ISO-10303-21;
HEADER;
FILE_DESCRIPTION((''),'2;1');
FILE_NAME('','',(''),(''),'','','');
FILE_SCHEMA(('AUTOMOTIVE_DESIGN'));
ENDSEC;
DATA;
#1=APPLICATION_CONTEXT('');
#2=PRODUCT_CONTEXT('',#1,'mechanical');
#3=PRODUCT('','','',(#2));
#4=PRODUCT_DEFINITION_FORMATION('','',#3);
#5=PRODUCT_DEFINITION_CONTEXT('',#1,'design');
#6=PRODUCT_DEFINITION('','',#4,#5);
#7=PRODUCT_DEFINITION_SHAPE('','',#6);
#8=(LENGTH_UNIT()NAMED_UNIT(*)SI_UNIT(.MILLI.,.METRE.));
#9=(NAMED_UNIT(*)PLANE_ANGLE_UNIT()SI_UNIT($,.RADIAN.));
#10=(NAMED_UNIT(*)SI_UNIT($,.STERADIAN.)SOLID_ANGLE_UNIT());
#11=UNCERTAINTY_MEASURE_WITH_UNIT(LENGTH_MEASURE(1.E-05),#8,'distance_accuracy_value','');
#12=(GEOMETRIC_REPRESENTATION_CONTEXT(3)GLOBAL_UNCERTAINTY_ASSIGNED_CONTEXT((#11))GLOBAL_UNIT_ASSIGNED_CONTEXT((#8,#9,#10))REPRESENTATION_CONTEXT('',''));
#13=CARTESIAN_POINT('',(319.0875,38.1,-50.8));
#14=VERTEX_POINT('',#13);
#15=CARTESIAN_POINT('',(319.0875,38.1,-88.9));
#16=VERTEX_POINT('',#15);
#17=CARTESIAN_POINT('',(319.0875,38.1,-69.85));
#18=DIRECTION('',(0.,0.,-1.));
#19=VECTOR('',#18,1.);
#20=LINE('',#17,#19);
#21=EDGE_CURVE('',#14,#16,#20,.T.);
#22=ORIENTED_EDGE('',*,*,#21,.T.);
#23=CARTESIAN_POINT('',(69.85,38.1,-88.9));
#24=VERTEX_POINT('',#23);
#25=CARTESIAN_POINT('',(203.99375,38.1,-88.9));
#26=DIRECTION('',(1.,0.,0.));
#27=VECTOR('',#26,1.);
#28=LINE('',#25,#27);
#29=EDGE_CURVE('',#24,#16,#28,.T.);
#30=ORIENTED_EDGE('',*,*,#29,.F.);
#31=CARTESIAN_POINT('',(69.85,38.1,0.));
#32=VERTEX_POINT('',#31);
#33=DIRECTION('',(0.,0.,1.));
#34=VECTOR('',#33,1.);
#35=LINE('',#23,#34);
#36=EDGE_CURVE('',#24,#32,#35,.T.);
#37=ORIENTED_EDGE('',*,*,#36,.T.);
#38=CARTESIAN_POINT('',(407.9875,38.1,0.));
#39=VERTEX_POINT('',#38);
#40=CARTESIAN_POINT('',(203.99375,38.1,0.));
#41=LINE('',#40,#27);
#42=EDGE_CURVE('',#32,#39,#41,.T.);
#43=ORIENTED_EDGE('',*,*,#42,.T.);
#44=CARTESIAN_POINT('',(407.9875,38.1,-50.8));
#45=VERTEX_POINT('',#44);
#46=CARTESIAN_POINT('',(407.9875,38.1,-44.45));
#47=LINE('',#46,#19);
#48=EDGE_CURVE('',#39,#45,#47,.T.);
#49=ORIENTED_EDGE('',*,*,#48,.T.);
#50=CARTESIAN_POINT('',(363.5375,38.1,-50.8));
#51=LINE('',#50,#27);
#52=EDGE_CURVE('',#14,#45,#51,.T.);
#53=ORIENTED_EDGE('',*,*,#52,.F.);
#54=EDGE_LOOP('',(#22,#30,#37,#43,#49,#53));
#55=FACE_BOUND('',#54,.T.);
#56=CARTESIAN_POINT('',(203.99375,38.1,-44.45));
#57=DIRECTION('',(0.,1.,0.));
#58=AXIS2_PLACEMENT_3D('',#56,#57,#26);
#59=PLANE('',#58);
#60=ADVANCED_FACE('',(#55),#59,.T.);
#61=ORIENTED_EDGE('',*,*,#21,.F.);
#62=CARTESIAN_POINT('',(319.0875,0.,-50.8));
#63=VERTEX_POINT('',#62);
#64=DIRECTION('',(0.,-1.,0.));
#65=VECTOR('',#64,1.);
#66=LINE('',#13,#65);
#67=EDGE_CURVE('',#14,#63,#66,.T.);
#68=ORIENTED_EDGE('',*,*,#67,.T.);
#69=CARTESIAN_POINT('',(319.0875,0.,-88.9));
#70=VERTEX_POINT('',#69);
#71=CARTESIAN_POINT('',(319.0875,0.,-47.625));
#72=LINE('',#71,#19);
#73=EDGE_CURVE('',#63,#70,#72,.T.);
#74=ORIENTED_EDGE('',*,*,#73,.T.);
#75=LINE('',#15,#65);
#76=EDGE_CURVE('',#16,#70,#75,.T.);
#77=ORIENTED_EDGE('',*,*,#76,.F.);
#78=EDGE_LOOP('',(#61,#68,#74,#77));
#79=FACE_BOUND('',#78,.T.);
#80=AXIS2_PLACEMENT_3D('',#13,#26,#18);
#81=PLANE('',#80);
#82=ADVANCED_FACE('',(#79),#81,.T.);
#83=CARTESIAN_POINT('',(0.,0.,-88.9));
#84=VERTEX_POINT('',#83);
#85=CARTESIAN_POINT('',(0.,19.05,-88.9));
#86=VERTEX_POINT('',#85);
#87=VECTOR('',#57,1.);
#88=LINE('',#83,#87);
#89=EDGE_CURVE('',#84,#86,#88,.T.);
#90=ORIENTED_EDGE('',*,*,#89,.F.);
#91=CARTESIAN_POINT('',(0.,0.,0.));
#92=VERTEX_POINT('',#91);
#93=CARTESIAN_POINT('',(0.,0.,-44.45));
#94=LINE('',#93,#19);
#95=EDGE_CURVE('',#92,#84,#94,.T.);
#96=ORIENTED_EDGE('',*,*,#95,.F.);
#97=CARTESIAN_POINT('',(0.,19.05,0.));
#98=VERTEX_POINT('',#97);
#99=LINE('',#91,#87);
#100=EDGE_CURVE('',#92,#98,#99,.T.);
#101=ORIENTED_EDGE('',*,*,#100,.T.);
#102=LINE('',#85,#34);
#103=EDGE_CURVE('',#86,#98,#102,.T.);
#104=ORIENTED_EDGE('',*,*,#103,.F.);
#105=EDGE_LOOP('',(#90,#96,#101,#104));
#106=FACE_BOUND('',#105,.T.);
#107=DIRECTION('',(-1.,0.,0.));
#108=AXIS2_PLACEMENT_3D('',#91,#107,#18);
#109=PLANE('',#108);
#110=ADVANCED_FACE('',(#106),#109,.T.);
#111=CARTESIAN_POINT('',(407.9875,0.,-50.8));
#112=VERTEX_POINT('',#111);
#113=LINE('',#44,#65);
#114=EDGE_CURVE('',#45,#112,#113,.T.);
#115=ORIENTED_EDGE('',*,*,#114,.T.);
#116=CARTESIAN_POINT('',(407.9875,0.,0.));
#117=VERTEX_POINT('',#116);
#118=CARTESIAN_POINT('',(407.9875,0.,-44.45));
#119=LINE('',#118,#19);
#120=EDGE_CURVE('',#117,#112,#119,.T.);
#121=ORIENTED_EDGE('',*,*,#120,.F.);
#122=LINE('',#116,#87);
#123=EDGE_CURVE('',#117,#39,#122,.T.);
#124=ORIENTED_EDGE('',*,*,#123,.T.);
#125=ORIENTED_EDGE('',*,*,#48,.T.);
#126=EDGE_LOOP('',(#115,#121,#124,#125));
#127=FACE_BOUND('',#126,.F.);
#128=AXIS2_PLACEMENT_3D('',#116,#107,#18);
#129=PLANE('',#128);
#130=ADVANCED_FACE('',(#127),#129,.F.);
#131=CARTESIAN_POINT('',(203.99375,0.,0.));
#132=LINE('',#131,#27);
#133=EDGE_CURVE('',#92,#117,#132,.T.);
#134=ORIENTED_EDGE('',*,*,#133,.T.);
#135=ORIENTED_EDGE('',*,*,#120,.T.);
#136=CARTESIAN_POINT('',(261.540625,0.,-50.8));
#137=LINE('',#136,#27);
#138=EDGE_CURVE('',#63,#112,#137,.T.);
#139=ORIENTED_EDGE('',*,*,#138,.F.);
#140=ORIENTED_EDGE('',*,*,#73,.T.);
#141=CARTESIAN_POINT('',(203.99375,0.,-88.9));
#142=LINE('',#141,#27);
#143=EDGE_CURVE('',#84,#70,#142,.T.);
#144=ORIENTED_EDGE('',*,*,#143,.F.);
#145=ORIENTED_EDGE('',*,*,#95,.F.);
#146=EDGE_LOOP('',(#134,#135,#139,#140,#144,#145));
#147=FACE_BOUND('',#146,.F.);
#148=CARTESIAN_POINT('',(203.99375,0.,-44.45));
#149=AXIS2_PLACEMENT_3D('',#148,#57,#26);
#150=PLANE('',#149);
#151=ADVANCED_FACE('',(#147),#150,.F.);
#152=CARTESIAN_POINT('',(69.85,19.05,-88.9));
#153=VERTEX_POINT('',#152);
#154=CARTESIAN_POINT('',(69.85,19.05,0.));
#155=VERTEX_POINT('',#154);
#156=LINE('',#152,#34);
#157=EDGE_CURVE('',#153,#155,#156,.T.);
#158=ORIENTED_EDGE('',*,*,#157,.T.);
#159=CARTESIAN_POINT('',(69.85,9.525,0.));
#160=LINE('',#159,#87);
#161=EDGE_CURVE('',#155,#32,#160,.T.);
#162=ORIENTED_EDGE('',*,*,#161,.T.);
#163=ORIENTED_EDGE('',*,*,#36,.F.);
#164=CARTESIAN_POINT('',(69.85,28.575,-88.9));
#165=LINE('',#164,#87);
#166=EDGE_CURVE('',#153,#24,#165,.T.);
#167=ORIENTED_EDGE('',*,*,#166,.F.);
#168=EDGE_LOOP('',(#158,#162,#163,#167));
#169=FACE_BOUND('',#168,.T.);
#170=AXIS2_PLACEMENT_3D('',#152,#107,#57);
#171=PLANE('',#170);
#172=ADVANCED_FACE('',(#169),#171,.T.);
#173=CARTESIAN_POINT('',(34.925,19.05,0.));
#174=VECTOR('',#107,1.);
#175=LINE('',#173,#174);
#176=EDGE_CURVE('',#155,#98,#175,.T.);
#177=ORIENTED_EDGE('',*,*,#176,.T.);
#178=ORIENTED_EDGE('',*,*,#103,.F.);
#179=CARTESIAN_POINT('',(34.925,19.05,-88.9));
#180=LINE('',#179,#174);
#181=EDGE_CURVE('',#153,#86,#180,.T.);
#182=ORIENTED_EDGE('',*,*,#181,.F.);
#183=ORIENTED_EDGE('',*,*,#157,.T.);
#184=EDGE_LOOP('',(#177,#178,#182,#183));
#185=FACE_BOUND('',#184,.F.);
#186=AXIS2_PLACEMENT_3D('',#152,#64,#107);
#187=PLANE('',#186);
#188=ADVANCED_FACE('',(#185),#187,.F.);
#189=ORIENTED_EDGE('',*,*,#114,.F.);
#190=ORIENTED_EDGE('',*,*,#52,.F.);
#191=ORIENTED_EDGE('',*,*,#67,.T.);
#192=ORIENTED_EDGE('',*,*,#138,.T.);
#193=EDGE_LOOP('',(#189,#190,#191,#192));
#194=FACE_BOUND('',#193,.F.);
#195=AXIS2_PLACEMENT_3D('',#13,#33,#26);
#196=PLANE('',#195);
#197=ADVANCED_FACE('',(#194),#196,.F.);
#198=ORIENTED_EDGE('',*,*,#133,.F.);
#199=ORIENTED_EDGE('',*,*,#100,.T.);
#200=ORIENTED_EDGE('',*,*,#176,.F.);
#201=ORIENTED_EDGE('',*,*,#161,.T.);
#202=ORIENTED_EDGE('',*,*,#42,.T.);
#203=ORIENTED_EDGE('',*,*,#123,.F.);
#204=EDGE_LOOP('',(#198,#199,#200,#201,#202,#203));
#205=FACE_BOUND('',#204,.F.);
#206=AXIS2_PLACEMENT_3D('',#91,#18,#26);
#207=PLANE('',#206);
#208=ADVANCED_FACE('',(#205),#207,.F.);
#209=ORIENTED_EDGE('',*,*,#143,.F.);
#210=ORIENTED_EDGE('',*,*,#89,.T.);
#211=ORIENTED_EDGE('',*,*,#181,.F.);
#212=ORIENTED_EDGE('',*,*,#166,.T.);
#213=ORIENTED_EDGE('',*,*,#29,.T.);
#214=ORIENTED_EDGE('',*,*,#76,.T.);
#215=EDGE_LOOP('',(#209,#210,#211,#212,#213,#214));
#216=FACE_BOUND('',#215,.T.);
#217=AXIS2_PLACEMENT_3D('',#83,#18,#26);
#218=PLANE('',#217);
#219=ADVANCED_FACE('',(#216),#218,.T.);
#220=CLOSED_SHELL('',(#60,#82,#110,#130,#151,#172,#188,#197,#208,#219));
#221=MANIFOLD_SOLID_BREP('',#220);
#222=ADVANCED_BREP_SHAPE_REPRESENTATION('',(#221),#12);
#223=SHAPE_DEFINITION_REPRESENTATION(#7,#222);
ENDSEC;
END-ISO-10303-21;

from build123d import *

# Parameters (mm, degrees)
SKETCH1_W           = 407.9875
SKETCH1_H           = 88.9
BOSS_EXTRUDE1_DEPTH = 38.1
SKETCH3_W           = 88.9
SKETCH3_H           = 38.1
CUT_EXTRUDE2_DEPTH  = 39.1
SKETCH4_W           = 69.85
SKETCH4_H           = 19.05
CUT_EXTRUDE3_DEPTH  = 89.9


with BuildPart() as part:
    # Sketch1 → Boss-Extrude1 (new body)
    with BuildSketch(Plane(origin=(0, 0, 0), x_dir=(1, 0, 0), z_dir=(0, 1, 0))):
        with Locations((203.99375, 44.45)):
            Rectangle(SKETCH1_W, SKETCH1_H)
    extrude(amount=BOSS_EXTRUDE1_DEPTH)

    # Sketch3 → Cut-Extrude2 (cut, through all)
    with BuildSketch(Plane(origin=(0, 38.1, 0), x_dir=(1, 0, 0), z_dir=(0, 1, 0))):
        with Locations((363.5375, 69.85)):
            Rectangle(SKETCH3_W, SKETCH3_H)
    extrude(amount=-CUT_EXTRUDE2_DEPTH, mode=Mode.SUBTRACT)

    # Sketch4 → Cut-Extrude3 (cut, through all)
    with BuildSketch(Plane(origin=(0, 0, -88.9), x_dir=(-1, 0, 0), z_dir=(0, 0, -1))):
        with Locations((-34.925, 28.575)):
            Rectangle(SKETCH4_W, SKETCH4_H)
    extrude(amount=-CUT_EXTRUDE3_DEPTH, mode=Mode.SUBTRACT)


solid = part.part
